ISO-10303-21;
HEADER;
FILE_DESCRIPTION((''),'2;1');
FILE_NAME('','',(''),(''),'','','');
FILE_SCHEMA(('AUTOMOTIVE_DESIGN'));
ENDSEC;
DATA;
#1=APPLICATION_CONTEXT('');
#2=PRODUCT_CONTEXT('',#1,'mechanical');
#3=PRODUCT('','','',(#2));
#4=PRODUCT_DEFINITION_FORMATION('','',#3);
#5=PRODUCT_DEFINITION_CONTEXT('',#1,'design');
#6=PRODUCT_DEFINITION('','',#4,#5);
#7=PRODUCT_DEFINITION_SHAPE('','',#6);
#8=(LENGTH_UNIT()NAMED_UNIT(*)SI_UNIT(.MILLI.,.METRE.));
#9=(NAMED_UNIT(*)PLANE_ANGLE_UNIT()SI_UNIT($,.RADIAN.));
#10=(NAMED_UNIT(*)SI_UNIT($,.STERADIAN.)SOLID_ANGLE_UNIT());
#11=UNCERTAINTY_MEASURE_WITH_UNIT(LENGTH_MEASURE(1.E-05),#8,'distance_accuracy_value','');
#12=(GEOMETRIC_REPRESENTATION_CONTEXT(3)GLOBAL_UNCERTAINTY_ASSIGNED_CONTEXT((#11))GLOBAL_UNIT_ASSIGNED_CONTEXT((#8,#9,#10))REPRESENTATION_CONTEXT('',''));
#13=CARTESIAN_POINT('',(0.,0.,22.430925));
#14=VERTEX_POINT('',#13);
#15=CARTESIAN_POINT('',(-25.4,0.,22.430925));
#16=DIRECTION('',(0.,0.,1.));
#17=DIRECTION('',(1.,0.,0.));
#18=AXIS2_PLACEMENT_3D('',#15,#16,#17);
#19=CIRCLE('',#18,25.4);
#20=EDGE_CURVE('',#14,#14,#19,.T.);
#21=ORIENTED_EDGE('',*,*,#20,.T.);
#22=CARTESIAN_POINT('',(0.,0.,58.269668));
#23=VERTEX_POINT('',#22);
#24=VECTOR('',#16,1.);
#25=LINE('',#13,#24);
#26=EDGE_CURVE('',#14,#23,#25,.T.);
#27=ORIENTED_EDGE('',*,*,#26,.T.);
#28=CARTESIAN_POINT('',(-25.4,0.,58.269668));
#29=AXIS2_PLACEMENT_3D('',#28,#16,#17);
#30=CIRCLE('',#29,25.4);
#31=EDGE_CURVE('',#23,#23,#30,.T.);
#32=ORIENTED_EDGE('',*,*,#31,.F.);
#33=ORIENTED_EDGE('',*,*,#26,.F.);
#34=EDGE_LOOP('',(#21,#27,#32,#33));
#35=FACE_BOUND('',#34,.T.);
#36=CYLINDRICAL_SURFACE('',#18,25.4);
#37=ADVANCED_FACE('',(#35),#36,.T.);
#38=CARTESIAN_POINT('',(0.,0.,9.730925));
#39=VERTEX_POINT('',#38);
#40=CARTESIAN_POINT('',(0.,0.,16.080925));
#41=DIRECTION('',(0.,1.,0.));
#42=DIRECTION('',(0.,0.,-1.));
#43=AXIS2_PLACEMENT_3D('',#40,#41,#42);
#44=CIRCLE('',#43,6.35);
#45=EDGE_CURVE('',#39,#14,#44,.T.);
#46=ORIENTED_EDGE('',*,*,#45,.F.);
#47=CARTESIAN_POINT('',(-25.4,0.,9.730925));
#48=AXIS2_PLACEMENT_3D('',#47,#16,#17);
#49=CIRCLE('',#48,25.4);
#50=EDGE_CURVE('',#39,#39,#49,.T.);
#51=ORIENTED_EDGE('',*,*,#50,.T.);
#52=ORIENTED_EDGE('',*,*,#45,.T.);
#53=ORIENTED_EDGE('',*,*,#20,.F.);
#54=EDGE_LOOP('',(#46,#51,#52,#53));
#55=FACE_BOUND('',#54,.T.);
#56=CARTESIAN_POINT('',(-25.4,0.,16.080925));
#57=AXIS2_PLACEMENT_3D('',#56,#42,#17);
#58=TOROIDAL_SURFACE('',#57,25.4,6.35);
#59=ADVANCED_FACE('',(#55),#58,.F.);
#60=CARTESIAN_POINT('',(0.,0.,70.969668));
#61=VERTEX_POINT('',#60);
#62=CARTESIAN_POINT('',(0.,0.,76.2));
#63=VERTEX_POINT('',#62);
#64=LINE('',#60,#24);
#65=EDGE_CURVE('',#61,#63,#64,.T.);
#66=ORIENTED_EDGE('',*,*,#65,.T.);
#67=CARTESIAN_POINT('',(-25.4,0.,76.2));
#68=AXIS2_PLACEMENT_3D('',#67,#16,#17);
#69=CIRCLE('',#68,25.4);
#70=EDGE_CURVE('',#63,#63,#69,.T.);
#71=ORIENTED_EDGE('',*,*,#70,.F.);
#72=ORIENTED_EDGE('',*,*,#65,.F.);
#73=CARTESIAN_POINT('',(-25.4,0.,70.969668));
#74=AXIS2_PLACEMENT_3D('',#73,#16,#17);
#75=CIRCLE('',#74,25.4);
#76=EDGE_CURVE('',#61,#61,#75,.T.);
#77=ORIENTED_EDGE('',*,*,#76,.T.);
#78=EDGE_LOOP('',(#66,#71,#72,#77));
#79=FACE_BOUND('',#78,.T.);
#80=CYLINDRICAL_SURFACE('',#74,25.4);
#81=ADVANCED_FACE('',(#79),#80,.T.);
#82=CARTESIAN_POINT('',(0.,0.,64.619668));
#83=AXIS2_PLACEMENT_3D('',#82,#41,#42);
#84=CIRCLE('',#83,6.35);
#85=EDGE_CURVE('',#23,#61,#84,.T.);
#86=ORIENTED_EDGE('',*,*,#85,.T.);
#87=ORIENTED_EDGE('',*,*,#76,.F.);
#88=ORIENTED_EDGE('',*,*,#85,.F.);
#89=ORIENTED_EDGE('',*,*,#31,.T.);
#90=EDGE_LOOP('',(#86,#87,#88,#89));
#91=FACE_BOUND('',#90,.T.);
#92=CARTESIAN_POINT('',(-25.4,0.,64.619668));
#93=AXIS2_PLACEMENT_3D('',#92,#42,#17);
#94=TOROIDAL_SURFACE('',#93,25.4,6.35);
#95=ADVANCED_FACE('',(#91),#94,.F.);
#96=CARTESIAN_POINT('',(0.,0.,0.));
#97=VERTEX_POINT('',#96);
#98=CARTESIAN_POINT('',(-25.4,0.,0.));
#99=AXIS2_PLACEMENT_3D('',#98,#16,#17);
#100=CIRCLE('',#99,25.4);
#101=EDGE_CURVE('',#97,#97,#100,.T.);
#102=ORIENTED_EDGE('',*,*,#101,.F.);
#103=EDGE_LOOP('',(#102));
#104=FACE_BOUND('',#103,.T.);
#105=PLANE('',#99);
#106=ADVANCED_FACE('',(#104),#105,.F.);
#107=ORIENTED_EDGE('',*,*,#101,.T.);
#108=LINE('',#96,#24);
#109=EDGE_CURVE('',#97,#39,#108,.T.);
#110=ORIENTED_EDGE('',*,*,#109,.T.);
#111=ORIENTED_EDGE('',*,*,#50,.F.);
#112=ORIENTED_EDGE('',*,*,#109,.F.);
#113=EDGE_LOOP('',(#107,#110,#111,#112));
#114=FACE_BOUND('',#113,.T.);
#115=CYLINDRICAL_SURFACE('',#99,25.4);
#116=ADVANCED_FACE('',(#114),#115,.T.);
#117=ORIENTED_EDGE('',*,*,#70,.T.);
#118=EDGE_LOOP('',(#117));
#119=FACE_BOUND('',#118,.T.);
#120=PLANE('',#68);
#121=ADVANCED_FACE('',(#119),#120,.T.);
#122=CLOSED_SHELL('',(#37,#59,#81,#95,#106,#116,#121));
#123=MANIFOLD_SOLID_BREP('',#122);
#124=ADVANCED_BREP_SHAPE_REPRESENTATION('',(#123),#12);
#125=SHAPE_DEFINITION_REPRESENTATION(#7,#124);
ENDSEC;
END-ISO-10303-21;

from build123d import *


with BuildPart() as f1:
    # F0 (on Front) → F1 (revolve)
    with BuildSketch(Plane.XZ):
        with BuildLine():
            Line((-25.4, 0), (0, 0))
            Line((0, 0), (0, 9.730925))
            ThreePointArc((0, 9.730925), (-6.35, 16.080925), (0, 22.430925))
            Line((0, 22.430925), (0, 58.269668))
            ThreePointArc((0, 58.269668), (-6.35, 64.619668), (0, 70.969668))
            Line((0, 70.969668), (0, 76.2))
            Line((0, 76.2), (-25.4, 76.2))
            Line((-25.4, 76.2), (-25.4, 0))
        make_face()
    revolve(axis=Axis((-25.4, 0, 38.1), (0, 0, 1)))


solid = f1.part
